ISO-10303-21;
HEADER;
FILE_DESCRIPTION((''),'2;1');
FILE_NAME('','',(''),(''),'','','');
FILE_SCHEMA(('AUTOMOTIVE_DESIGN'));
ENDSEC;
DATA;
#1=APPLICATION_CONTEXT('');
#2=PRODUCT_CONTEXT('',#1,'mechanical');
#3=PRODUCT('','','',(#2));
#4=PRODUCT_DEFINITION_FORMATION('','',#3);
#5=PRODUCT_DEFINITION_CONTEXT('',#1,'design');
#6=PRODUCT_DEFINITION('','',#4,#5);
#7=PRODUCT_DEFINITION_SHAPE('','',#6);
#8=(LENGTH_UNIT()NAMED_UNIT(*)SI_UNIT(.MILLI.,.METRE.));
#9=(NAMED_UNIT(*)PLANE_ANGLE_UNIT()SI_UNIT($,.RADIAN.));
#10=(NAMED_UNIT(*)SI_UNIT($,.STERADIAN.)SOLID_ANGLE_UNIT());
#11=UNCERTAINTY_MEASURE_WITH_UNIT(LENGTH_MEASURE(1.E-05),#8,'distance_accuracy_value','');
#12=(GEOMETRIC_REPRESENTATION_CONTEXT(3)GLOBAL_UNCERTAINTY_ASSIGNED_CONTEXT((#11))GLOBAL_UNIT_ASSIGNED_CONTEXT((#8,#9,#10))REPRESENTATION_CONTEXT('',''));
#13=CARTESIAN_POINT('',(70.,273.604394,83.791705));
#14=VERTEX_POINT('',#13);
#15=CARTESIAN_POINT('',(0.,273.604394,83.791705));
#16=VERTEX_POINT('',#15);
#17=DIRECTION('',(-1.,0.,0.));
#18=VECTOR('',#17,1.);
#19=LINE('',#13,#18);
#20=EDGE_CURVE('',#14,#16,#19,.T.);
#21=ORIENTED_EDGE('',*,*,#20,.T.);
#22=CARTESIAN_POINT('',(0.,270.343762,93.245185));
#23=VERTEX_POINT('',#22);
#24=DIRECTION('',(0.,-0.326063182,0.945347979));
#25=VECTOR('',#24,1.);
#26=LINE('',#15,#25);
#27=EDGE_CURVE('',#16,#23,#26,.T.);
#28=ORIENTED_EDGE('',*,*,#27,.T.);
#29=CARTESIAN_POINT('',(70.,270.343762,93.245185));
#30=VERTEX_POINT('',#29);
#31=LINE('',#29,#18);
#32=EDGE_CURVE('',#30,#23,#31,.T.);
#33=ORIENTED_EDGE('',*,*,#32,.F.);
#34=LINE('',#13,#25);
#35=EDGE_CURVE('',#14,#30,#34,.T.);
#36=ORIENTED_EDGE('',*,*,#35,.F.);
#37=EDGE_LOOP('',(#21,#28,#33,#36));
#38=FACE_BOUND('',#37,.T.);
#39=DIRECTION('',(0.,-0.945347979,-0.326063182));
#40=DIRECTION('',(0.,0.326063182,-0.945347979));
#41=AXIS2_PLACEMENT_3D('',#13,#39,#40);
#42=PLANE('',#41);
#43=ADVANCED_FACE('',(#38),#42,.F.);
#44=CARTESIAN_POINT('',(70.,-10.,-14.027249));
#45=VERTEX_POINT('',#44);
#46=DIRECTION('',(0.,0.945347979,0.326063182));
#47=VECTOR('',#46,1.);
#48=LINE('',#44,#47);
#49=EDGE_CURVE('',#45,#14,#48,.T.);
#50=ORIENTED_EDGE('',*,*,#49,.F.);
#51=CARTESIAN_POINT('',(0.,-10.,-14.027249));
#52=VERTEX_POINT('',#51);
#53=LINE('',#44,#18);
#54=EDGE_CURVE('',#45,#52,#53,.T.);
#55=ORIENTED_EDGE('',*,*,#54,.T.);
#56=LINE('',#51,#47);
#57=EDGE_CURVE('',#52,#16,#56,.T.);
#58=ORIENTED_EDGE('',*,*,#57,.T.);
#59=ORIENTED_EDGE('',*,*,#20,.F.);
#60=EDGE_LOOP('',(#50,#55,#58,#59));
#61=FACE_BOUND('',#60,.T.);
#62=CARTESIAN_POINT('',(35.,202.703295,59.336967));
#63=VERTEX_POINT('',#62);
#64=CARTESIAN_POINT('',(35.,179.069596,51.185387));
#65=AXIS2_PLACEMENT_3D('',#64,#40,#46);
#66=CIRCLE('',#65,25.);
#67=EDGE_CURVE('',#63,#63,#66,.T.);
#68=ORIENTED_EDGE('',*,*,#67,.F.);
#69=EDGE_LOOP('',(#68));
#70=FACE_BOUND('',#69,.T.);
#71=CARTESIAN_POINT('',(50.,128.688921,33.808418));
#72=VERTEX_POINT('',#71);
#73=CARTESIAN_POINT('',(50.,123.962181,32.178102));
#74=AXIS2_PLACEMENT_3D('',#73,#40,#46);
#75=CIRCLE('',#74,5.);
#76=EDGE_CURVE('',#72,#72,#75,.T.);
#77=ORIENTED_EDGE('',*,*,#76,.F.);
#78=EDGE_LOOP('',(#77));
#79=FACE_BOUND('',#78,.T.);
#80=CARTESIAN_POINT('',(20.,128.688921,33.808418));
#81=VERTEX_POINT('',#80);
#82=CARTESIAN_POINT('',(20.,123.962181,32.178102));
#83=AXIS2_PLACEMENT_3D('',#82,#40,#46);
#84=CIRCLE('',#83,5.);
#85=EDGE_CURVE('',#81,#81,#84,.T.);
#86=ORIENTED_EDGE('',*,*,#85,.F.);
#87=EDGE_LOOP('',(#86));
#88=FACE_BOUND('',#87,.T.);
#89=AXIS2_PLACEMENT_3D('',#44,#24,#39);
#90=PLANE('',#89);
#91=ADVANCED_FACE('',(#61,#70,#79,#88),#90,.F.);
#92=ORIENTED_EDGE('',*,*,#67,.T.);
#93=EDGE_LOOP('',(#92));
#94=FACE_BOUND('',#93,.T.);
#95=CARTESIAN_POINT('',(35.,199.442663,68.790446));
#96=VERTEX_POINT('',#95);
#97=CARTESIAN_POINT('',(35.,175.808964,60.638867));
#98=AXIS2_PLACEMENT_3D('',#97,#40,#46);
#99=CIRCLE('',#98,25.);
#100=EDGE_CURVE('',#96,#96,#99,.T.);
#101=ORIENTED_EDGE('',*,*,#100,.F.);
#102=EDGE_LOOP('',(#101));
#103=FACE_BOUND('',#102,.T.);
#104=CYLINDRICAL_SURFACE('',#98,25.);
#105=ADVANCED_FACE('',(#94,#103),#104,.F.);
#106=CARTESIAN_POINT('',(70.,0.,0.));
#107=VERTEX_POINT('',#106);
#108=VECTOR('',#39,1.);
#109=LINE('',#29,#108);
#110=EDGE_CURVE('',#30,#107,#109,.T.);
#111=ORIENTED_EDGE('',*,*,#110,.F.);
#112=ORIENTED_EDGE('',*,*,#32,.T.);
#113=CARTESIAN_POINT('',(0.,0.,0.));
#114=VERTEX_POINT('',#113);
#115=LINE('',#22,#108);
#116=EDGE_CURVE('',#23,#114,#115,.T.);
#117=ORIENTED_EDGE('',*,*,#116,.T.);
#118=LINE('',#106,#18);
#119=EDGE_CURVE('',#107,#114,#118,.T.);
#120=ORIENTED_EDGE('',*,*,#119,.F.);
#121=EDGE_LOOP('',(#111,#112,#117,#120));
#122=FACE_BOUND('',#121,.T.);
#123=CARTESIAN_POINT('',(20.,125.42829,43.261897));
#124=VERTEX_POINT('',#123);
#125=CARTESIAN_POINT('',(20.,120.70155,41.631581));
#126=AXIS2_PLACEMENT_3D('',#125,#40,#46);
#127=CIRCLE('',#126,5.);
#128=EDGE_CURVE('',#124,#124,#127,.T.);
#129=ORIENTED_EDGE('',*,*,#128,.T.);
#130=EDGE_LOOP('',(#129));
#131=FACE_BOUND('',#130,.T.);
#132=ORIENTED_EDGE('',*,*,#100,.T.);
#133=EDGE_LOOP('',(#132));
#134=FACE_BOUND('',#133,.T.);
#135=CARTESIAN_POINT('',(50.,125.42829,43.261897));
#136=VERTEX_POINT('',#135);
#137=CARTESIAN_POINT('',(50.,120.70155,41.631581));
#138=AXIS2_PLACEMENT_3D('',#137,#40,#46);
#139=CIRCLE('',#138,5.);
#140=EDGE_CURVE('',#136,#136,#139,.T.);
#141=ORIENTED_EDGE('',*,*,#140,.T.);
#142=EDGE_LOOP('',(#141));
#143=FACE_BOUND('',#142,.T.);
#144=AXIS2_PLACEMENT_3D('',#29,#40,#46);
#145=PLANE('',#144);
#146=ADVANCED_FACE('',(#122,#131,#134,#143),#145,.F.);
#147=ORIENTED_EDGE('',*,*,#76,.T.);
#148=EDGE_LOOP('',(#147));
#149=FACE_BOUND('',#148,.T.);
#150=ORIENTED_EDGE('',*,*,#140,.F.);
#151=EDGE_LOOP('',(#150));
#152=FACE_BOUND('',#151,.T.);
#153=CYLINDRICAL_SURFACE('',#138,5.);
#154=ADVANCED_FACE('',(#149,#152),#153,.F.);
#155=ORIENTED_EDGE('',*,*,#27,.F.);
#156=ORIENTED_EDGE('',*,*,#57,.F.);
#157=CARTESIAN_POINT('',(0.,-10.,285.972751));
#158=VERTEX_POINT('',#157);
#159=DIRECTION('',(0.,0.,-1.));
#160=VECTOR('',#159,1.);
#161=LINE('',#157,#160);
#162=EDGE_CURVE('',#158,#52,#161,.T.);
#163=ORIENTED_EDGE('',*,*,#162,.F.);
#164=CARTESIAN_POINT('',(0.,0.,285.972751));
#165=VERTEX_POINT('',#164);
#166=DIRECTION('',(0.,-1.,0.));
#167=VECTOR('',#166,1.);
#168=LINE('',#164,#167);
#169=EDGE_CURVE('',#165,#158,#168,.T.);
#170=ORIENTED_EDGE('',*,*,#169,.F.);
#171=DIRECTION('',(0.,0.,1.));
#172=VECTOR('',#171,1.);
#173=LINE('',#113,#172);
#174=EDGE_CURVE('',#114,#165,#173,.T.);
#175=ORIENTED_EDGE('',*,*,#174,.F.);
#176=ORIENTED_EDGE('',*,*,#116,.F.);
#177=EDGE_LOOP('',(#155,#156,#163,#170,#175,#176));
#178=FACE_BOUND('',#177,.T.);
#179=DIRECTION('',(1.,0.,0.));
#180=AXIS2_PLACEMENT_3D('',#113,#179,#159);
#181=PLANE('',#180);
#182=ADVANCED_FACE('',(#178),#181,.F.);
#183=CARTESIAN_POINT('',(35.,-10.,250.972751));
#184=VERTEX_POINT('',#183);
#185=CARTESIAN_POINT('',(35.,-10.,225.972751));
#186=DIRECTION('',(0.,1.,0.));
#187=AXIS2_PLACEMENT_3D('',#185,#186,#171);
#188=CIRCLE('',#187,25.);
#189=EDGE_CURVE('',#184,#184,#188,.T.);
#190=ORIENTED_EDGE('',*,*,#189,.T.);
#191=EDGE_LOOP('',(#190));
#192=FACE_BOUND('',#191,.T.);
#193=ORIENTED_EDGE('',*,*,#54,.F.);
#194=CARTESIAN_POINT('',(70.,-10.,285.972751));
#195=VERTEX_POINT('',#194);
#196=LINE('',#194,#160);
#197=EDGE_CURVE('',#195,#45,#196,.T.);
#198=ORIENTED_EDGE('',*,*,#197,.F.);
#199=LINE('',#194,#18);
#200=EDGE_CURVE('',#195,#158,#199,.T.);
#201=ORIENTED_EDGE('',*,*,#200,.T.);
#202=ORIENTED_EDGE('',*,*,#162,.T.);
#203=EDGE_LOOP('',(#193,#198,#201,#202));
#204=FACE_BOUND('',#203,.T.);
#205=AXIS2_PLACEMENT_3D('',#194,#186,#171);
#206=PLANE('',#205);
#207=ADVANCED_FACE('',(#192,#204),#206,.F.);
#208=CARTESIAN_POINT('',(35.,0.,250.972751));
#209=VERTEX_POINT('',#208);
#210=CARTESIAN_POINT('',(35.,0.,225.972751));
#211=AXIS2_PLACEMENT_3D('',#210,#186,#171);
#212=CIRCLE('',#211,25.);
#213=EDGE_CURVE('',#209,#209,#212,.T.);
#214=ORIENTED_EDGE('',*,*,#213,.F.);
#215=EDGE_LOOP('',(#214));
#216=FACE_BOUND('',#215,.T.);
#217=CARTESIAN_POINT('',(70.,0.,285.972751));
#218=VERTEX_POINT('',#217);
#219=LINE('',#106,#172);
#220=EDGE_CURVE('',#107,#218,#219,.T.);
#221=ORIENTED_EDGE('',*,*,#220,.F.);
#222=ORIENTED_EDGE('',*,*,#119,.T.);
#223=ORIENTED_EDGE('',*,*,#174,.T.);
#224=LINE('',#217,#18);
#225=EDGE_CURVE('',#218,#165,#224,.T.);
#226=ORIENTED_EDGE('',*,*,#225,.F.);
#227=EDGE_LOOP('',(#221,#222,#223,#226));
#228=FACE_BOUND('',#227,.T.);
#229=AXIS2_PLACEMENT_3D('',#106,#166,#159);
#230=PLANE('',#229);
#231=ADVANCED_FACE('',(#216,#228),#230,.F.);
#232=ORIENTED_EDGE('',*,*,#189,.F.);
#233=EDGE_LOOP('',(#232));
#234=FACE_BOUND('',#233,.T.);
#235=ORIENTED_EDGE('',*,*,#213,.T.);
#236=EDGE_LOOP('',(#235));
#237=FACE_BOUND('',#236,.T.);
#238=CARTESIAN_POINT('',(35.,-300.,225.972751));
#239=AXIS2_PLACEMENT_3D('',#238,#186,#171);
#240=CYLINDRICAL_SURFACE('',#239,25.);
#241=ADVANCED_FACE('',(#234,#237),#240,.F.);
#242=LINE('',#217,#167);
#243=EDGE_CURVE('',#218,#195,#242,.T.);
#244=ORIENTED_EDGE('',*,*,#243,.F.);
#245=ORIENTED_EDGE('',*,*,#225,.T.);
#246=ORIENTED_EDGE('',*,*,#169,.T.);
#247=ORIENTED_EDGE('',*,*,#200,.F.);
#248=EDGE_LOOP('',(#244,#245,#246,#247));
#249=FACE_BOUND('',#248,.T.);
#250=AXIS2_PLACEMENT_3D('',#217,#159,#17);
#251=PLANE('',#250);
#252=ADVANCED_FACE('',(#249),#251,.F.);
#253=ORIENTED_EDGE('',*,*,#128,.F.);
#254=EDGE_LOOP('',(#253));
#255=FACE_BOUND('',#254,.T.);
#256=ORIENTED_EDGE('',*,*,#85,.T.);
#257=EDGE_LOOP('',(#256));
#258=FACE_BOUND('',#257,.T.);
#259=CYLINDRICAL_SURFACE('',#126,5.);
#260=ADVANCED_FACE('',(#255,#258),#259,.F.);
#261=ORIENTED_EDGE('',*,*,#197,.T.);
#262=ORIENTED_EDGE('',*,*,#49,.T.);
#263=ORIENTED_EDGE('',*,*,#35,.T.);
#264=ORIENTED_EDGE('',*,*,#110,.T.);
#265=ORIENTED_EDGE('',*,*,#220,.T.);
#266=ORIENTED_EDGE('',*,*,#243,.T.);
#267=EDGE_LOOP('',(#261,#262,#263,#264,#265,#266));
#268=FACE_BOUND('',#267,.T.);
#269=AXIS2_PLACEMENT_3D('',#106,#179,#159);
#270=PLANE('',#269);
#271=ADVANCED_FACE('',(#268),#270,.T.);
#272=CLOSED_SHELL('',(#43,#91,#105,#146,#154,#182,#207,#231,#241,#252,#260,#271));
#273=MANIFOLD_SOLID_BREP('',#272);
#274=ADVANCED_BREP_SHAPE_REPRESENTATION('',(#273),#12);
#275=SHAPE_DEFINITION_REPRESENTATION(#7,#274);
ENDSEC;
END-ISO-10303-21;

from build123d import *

# Parameters (mm, degrees)
BOSS_EXTRUDE1_DEPTH = 70
SKETCH2_R           = 25
CUT_EXTRUDE1_DEPTH  = 10
SKETCH5_R           = 25
CUT_EXTRUDE3_DEPTH  = 300
SKETCH6_R           = 5
CUT_EXTRUDE5_DEPTH  = 10


with BuildPart() as part:
    # Sketch1 → Boss-Extrude1 (new body)
    with BuildSketch(Plane(origin=(0, 0, 0), x_dir=(0, 0, -1), z_dir=(1, 0, 0))):
        Polygon((-93.245185093, 270.343761851), (0, 0), (-285.972750651, 0), (-285.972750651, -10), (14.027249349, -10), (-83.791705303, 273.604393673), align=None)
    extrude(amount=BOSS_EXTRUDE1_DEPTH)

    # Sketch2 → Cut-Extrude1 (cut)
    with BuildSketch(Plane(origin=(0, 3.260631822, -9.453479789), x_dir=(1, 0, 0), z_dir=(0, 0.3260631821748509, -0.945347978910417))):
        with Locations(Location((35, -185.972750651, 0), (0, 0, 270))):
            Circle(SKETCH2_R)
    extrude(amount=-CUT_EXTRUDE1_DEPTH, mode=Mode.SUBTRACT)

    # Sketch5 → Cut-Extrude3 (cut)
    with BuildSketch(Plane(origin=(0, 0, 0), x_dir=(1, 0, 0), z_dir=(0, 1, 0))):
        with Locations(Location((35, -225.972750651, 0), (0, 0, 270))):
            Circle(SKETCH5_R)
    extrude(amount=-CUT_EXTRUDE3_DEPTH, mode=Mode.SUBTRACT)

    # Sketch6 → Cut-Extrude5 (cut)
    with BuildSketch(Plane(origin=(0, 3.260631822, -9.453479789), x_dir=(1, 0, 0), z_dir=(0, 0.326063182174851, -0.945347978910417))):
        with Locations((50, -197.679491924)):
            Circle(SKETCH6_R)
        with Locations((20, -197.679491924)):
            Circle(SKETCH6_R)
        with Locations(Location((20, -127.679491924, 0), (0, 0, 270))):
            Circle(SKETCH6_R)
        with Locations(Location((50, -127.679491924, 0), (0, 0, 270))):
            Circle(SKETCH6_R)
    extrude(amount=-CUT_EXTRUDE5_DEPTH, mode=Mode.SUBTRACT)


solid = part.part
